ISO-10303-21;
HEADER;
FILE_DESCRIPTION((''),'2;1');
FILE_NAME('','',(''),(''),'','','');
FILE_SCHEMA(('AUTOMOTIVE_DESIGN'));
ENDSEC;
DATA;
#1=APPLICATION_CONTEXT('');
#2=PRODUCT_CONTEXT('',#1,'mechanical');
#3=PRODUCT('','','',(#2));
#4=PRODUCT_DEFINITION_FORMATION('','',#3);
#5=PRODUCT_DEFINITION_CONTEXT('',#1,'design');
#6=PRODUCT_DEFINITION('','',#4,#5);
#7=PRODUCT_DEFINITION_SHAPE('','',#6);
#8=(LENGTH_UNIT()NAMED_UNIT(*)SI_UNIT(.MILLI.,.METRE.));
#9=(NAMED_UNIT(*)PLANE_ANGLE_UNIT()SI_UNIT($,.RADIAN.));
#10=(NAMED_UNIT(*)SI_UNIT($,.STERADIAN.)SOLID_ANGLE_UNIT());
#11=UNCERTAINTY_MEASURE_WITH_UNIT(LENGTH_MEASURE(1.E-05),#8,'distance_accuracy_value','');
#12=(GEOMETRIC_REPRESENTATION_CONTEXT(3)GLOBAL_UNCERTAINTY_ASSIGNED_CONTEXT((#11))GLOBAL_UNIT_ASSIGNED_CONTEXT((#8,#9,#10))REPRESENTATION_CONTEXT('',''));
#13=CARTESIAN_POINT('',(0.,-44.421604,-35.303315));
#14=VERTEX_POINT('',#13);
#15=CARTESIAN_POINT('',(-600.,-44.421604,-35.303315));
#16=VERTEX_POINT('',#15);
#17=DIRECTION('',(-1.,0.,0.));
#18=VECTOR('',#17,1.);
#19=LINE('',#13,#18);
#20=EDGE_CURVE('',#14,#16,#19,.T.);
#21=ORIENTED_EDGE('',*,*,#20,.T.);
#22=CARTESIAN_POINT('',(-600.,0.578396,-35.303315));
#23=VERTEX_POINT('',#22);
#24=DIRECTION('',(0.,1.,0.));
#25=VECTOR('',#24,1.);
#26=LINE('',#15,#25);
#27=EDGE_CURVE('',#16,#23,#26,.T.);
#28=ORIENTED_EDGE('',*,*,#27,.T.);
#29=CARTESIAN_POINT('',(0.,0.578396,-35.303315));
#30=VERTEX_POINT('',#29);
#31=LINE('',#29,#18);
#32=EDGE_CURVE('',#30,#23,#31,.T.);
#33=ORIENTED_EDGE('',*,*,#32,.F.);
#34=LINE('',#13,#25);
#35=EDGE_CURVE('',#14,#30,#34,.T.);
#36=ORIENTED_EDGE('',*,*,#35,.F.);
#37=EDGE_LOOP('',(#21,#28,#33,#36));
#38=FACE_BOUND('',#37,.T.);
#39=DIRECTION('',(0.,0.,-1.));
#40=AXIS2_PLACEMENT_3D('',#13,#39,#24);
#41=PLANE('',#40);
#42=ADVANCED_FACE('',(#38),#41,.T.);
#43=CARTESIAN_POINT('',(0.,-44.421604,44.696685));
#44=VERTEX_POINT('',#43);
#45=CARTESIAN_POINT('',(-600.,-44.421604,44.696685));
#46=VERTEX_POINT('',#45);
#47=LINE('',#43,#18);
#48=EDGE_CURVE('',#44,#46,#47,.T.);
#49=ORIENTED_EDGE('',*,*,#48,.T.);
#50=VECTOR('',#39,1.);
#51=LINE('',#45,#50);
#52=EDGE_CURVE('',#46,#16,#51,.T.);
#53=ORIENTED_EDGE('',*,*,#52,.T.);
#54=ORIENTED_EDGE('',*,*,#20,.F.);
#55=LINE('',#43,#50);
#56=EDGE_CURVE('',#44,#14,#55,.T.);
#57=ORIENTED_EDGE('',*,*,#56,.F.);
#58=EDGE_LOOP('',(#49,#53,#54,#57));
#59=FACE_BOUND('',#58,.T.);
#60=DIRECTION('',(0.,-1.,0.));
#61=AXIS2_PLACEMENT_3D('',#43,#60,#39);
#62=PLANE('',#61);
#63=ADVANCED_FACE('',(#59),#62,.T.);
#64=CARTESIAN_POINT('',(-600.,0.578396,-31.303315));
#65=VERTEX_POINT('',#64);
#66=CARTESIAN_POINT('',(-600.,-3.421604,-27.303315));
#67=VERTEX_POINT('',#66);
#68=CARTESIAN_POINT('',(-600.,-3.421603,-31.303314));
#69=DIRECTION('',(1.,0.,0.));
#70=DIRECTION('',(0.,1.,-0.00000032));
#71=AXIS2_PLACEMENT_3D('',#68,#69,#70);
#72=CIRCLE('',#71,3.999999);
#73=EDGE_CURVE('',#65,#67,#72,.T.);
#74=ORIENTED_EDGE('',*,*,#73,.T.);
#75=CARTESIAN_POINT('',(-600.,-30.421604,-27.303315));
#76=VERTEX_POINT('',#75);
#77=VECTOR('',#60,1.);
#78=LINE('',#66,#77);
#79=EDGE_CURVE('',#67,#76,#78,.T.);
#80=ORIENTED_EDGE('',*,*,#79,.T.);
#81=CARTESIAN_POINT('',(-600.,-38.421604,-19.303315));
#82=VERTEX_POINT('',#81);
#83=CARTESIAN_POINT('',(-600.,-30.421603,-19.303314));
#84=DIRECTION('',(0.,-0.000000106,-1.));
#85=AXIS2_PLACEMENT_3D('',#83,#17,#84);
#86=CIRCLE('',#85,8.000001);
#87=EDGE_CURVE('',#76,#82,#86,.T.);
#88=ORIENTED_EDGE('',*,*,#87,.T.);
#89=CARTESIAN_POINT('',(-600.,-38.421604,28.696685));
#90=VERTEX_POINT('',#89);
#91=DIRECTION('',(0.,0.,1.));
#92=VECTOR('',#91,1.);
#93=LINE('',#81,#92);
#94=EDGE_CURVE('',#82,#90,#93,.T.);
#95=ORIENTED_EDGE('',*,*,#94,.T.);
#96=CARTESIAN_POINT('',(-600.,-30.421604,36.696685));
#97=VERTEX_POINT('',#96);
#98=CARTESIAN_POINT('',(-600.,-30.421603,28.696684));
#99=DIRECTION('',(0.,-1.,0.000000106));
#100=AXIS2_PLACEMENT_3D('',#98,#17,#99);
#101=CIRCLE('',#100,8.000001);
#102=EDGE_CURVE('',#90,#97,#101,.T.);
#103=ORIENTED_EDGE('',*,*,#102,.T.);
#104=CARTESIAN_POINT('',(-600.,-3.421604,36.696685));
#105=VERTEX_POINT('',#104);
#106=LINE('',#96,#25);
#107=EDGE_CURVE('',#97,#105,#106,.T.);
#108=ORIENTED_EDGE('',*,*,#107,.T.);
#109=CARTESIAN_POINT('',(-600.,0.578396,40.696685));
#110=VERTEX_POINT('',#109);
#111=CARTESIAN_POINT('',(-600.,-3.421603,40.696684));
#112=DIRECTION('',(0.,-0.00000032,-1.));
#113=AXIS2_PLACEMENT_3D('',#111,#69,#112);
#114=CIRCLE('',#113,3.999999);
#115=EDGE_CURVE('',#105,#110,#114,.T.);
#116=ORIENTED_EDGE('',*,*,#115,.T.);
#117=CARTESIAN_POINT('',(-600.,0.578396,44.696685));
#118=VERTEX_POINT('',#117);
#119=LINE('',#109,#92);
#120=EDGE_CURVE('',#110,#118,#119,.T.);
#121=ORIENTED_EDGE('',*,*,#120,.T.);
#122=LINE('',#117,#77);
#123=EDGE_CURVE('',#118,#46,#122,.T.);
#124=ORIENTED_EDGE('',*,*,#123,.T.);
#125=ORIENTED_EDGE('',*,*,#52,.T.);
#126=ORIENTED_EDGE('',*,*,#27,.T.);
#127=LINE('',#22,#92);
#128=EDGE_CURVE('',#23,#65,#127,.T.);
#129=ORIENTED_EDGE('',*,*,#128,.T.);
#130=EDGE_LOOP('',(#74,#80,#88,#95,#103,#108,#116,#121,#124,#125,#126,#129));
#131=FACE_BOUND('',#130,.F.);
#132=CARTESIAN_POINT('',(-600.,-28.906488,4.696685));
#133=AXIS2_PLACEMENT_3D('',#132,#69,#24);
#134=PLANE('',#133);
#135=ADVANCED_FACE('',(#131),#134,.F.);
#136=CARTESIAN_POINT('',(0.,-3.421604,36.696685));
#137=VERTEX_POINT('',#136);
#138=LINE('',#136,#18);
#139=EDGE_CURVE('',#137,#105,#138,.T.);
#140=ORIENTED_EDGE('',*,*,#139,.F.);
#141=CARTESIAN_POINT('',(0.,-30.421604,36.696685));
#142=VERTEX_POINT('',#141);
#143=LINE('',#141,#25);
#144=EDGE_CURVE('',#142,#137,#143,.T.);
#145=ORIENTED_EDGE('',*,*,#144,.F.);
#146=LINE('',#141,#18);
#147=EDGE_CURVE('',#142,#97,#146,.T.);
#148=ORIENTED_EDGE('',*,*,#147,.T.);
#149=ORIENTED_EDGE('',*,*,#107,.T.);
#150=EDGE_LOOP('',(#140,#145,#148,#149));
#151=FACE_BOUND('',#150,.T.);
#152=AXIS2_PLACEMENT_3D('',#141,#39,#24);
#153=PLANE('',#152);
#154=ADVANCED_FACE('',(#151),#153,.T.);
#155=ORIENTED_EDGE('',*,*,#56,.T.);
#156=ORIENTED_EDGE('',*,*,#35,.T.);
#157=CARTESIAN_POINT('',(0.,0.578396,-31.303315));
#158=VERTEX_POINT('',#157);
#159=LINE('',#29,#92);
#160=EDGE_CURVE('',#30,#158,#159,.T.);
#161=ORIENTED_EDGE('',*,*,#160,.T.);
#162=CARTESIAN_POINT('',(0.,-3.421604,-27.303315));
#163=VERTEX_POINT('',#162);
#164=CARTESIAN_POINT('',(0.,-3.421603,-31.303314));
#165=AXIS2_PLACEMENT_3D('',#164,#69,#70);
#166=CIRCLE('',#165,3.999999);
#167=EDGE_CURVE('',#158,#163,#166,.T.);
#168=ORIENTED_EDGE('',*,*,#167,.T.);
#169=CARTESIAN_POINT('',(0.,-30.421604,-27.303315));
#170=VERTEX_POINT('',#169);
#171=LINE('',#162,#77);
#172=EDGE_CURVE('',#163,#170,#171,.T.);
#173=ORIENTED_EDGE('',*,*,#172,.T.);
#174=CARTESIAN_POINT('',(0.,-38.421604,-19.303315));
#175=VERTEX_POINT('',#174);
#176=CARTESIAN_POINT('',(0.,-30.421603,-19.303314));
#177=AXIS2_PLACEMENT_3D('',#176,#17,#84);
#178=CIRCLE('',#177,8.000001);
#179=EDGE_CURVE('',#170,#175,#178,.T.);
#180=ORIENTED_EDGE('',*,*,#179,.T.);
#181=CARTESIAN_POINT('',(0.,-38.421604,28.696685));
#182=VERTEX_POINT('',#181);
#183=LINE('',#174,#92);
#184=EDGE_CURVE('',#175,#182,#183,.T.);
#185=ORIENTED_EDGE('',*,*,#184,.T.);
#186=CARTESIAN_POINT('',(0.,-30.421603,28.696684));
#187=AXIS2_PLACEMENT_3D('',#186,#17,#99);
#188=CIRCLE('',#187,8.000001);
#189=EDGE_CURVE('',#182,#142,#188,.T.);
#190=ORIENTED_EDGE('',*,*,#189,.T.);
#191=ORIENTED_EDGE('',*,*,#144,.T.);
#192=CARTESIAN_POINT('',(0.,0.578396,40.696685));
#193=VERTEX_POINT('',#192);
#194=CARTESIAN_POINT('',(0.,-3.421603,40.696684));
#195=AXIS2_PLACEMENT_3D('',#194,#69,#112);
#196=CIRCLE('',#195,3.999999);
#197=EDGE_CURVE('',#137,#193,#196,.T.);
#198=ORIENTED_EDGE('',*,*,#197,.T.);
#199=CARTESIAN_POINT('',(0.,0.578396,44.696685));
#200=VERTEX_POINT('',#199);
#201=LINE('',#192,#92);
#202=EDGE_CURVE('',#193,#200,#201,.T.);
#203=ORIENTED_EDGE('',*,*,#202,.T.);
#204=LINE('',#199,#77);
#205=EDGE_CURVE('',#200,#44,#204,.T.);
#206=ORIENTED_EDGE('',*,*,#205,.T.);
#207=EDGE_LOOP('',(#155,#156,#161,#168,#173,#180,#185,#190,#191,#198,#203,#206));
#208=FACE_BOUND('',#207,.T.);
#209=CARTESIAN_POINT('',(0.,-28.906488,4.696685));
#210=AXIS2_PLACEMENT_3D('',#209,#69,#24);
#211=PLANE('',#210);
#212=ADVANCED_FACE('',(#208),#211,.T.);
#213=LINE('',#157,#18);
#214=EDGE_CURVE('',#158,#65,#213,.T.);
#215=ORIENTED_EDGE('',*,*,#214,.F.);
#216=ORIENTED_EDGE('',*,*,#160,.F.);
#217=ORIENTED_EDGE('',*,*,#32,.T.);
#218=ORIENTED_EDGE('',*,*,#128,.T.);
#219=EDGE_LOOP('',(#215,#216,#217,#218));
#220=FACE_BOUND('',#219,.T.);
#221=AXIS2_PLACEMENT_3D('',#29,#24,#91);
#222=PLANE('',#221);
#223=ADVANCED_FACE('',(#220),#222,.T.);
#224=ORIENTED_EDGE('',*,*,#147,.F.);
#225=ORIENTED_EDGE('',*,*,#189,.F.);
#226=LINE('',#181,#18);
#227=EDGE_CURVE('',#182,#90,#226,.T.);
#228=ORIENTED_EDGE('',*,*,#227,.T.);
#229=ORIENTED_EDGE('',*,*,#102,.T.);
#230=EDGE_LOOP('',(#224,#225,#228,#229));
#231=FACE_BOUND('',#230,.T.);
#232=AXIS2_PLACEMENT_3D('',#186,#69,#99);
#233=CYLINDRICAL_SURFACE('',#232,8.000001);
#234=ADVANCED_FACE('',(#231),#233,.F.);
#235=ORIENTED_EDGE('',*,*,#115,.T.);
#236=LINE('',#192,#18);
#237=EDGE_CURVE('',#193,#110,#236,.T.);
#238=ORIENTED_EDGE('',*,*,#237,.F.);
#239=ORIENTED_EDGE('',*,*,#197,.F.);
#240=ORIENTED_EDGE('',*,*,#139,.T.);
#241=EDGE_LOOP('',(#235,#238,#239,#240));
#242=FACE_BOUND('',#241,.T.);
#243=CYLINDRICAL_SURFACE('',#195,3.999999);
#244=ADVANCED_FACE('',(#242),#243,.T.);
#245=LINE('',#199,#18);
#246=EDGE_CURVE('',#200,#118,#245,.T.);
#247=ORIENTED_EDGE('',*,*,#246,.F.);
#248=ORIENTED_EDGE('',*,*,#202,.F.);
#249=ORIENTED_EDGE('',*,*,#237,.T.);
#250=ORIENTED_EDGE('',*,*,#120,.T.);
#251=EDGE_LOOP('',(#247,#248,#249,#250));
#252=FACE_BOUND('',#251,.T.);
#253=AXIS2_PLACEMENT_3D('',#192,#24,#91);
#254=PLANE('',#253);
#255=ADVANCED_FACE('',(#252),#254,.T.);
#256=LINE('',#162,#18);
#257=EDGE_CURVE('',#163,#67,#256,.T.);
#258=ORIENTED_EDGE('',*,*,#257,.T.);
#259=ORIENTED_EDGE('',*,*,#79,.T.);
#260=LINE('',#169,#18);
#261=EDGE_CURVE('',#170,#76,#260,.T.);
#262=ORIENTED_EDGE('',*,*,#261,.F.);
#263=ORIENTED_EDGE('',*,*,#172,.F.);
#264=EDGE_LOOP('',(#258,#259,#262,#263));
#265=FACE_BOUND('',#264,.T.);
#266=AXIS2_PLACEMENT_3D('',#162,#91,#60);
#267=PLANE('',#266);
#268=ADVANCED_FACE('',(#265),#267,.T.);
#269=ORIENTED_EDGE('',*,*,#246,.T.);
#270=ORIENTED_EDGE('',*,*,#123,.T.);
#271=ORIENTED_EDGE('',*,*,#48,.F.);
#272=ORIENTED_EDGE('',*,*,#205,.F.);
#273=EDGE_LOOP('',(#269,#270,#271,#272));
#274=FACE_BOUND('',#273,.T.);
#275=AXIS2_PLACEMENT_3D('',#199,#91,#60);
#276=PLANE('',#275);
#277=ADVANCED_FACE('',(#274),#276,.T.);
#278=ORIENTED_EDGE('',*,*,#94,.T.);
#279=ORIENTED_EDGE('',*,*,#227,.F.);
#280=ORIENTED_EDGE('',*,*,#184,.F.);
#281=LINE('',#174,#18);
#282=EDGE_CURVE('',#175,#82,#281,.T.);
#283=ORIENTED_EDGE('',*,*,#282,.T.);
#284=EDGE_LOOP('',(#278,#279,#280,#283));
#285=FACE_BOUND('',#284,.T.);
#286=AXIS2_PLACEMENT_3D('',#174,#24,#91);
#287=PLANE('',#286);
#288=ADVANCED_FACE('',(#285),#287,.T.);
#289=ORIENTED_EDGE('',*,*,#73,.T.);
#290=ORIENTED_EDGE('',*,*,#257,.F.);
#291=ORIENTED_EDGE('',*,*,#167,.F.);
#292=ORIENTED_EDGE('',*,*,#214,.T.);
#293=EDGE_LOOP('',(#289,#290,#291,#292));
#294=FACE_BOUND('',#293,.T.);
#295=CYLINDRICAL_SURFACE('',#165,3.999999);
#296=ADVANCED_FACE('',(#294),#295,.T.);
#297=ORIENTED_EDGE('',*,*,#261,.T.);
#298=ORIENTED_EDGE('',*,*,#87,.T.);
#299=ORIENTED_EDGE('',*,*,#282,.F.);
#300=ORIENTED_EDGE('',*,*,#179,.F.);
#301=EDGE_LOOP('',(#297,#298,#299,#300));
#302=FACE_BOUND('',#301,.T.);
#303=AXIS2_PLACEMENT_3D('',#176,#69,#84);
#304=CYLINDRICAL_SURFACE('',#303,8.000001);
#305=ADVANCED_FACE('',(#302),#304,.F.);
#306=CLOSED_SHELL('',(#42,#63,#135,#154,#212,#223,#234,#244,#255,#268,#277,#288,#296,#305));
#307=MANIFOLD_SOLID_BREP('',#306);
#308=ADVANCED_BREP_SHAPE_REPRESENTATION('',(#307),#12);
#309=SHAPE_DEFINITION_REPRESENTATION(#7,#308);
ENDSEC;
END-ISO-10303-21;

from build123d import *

# Parameters (mm, degrees)
F1_DEPTH = 600


with BuildPart() as f1:
    # F0 (on Right) → F1 (new body)
    with BuildSketch(Plane.YZ):
        with BuildLine():
            Line((0.578396, 40.696685), (0.578396, 44.696685))
            Line((0.578396, 44.696685), (-44.421604, 44.696685))
            Line((-44.421604, 44.696685), (-44.421604, -35.303315))
            Line((-44.421604, -35.303315), (0.578396, -35.303315))
            Line((0.578396, -35.303315), (0.578396, -31.303315))
            ThreePointArc((0.578396, -31.303315), (-0.593176, -28.474888), (-3.421604, -27.303315))
            Line((-3.421604, -27.303315), (-30.421604, -27.303315))
            ThreePointArc((-30.421604, -27.303315), (-36.078458, -24.960169), (-38.421604, -19.303315))
            Line((-38.421604, -19.303315), (-38.421604, 28.696685))
            ThreePointArc((-38.421604, 28.696685), (-36.078458, 34.353539), (-30.421604, 36.696685))
            Line((-30.421604, 36.696685), (-3.421604, 36.696685))
            ThreePointArc((-3.421604, 36.696685), (-0.593176, 37.868258), (0.578396, 40.696685))
        make_face()
    extrude(amount=-F1_DEPTH)


solid = f1.part
